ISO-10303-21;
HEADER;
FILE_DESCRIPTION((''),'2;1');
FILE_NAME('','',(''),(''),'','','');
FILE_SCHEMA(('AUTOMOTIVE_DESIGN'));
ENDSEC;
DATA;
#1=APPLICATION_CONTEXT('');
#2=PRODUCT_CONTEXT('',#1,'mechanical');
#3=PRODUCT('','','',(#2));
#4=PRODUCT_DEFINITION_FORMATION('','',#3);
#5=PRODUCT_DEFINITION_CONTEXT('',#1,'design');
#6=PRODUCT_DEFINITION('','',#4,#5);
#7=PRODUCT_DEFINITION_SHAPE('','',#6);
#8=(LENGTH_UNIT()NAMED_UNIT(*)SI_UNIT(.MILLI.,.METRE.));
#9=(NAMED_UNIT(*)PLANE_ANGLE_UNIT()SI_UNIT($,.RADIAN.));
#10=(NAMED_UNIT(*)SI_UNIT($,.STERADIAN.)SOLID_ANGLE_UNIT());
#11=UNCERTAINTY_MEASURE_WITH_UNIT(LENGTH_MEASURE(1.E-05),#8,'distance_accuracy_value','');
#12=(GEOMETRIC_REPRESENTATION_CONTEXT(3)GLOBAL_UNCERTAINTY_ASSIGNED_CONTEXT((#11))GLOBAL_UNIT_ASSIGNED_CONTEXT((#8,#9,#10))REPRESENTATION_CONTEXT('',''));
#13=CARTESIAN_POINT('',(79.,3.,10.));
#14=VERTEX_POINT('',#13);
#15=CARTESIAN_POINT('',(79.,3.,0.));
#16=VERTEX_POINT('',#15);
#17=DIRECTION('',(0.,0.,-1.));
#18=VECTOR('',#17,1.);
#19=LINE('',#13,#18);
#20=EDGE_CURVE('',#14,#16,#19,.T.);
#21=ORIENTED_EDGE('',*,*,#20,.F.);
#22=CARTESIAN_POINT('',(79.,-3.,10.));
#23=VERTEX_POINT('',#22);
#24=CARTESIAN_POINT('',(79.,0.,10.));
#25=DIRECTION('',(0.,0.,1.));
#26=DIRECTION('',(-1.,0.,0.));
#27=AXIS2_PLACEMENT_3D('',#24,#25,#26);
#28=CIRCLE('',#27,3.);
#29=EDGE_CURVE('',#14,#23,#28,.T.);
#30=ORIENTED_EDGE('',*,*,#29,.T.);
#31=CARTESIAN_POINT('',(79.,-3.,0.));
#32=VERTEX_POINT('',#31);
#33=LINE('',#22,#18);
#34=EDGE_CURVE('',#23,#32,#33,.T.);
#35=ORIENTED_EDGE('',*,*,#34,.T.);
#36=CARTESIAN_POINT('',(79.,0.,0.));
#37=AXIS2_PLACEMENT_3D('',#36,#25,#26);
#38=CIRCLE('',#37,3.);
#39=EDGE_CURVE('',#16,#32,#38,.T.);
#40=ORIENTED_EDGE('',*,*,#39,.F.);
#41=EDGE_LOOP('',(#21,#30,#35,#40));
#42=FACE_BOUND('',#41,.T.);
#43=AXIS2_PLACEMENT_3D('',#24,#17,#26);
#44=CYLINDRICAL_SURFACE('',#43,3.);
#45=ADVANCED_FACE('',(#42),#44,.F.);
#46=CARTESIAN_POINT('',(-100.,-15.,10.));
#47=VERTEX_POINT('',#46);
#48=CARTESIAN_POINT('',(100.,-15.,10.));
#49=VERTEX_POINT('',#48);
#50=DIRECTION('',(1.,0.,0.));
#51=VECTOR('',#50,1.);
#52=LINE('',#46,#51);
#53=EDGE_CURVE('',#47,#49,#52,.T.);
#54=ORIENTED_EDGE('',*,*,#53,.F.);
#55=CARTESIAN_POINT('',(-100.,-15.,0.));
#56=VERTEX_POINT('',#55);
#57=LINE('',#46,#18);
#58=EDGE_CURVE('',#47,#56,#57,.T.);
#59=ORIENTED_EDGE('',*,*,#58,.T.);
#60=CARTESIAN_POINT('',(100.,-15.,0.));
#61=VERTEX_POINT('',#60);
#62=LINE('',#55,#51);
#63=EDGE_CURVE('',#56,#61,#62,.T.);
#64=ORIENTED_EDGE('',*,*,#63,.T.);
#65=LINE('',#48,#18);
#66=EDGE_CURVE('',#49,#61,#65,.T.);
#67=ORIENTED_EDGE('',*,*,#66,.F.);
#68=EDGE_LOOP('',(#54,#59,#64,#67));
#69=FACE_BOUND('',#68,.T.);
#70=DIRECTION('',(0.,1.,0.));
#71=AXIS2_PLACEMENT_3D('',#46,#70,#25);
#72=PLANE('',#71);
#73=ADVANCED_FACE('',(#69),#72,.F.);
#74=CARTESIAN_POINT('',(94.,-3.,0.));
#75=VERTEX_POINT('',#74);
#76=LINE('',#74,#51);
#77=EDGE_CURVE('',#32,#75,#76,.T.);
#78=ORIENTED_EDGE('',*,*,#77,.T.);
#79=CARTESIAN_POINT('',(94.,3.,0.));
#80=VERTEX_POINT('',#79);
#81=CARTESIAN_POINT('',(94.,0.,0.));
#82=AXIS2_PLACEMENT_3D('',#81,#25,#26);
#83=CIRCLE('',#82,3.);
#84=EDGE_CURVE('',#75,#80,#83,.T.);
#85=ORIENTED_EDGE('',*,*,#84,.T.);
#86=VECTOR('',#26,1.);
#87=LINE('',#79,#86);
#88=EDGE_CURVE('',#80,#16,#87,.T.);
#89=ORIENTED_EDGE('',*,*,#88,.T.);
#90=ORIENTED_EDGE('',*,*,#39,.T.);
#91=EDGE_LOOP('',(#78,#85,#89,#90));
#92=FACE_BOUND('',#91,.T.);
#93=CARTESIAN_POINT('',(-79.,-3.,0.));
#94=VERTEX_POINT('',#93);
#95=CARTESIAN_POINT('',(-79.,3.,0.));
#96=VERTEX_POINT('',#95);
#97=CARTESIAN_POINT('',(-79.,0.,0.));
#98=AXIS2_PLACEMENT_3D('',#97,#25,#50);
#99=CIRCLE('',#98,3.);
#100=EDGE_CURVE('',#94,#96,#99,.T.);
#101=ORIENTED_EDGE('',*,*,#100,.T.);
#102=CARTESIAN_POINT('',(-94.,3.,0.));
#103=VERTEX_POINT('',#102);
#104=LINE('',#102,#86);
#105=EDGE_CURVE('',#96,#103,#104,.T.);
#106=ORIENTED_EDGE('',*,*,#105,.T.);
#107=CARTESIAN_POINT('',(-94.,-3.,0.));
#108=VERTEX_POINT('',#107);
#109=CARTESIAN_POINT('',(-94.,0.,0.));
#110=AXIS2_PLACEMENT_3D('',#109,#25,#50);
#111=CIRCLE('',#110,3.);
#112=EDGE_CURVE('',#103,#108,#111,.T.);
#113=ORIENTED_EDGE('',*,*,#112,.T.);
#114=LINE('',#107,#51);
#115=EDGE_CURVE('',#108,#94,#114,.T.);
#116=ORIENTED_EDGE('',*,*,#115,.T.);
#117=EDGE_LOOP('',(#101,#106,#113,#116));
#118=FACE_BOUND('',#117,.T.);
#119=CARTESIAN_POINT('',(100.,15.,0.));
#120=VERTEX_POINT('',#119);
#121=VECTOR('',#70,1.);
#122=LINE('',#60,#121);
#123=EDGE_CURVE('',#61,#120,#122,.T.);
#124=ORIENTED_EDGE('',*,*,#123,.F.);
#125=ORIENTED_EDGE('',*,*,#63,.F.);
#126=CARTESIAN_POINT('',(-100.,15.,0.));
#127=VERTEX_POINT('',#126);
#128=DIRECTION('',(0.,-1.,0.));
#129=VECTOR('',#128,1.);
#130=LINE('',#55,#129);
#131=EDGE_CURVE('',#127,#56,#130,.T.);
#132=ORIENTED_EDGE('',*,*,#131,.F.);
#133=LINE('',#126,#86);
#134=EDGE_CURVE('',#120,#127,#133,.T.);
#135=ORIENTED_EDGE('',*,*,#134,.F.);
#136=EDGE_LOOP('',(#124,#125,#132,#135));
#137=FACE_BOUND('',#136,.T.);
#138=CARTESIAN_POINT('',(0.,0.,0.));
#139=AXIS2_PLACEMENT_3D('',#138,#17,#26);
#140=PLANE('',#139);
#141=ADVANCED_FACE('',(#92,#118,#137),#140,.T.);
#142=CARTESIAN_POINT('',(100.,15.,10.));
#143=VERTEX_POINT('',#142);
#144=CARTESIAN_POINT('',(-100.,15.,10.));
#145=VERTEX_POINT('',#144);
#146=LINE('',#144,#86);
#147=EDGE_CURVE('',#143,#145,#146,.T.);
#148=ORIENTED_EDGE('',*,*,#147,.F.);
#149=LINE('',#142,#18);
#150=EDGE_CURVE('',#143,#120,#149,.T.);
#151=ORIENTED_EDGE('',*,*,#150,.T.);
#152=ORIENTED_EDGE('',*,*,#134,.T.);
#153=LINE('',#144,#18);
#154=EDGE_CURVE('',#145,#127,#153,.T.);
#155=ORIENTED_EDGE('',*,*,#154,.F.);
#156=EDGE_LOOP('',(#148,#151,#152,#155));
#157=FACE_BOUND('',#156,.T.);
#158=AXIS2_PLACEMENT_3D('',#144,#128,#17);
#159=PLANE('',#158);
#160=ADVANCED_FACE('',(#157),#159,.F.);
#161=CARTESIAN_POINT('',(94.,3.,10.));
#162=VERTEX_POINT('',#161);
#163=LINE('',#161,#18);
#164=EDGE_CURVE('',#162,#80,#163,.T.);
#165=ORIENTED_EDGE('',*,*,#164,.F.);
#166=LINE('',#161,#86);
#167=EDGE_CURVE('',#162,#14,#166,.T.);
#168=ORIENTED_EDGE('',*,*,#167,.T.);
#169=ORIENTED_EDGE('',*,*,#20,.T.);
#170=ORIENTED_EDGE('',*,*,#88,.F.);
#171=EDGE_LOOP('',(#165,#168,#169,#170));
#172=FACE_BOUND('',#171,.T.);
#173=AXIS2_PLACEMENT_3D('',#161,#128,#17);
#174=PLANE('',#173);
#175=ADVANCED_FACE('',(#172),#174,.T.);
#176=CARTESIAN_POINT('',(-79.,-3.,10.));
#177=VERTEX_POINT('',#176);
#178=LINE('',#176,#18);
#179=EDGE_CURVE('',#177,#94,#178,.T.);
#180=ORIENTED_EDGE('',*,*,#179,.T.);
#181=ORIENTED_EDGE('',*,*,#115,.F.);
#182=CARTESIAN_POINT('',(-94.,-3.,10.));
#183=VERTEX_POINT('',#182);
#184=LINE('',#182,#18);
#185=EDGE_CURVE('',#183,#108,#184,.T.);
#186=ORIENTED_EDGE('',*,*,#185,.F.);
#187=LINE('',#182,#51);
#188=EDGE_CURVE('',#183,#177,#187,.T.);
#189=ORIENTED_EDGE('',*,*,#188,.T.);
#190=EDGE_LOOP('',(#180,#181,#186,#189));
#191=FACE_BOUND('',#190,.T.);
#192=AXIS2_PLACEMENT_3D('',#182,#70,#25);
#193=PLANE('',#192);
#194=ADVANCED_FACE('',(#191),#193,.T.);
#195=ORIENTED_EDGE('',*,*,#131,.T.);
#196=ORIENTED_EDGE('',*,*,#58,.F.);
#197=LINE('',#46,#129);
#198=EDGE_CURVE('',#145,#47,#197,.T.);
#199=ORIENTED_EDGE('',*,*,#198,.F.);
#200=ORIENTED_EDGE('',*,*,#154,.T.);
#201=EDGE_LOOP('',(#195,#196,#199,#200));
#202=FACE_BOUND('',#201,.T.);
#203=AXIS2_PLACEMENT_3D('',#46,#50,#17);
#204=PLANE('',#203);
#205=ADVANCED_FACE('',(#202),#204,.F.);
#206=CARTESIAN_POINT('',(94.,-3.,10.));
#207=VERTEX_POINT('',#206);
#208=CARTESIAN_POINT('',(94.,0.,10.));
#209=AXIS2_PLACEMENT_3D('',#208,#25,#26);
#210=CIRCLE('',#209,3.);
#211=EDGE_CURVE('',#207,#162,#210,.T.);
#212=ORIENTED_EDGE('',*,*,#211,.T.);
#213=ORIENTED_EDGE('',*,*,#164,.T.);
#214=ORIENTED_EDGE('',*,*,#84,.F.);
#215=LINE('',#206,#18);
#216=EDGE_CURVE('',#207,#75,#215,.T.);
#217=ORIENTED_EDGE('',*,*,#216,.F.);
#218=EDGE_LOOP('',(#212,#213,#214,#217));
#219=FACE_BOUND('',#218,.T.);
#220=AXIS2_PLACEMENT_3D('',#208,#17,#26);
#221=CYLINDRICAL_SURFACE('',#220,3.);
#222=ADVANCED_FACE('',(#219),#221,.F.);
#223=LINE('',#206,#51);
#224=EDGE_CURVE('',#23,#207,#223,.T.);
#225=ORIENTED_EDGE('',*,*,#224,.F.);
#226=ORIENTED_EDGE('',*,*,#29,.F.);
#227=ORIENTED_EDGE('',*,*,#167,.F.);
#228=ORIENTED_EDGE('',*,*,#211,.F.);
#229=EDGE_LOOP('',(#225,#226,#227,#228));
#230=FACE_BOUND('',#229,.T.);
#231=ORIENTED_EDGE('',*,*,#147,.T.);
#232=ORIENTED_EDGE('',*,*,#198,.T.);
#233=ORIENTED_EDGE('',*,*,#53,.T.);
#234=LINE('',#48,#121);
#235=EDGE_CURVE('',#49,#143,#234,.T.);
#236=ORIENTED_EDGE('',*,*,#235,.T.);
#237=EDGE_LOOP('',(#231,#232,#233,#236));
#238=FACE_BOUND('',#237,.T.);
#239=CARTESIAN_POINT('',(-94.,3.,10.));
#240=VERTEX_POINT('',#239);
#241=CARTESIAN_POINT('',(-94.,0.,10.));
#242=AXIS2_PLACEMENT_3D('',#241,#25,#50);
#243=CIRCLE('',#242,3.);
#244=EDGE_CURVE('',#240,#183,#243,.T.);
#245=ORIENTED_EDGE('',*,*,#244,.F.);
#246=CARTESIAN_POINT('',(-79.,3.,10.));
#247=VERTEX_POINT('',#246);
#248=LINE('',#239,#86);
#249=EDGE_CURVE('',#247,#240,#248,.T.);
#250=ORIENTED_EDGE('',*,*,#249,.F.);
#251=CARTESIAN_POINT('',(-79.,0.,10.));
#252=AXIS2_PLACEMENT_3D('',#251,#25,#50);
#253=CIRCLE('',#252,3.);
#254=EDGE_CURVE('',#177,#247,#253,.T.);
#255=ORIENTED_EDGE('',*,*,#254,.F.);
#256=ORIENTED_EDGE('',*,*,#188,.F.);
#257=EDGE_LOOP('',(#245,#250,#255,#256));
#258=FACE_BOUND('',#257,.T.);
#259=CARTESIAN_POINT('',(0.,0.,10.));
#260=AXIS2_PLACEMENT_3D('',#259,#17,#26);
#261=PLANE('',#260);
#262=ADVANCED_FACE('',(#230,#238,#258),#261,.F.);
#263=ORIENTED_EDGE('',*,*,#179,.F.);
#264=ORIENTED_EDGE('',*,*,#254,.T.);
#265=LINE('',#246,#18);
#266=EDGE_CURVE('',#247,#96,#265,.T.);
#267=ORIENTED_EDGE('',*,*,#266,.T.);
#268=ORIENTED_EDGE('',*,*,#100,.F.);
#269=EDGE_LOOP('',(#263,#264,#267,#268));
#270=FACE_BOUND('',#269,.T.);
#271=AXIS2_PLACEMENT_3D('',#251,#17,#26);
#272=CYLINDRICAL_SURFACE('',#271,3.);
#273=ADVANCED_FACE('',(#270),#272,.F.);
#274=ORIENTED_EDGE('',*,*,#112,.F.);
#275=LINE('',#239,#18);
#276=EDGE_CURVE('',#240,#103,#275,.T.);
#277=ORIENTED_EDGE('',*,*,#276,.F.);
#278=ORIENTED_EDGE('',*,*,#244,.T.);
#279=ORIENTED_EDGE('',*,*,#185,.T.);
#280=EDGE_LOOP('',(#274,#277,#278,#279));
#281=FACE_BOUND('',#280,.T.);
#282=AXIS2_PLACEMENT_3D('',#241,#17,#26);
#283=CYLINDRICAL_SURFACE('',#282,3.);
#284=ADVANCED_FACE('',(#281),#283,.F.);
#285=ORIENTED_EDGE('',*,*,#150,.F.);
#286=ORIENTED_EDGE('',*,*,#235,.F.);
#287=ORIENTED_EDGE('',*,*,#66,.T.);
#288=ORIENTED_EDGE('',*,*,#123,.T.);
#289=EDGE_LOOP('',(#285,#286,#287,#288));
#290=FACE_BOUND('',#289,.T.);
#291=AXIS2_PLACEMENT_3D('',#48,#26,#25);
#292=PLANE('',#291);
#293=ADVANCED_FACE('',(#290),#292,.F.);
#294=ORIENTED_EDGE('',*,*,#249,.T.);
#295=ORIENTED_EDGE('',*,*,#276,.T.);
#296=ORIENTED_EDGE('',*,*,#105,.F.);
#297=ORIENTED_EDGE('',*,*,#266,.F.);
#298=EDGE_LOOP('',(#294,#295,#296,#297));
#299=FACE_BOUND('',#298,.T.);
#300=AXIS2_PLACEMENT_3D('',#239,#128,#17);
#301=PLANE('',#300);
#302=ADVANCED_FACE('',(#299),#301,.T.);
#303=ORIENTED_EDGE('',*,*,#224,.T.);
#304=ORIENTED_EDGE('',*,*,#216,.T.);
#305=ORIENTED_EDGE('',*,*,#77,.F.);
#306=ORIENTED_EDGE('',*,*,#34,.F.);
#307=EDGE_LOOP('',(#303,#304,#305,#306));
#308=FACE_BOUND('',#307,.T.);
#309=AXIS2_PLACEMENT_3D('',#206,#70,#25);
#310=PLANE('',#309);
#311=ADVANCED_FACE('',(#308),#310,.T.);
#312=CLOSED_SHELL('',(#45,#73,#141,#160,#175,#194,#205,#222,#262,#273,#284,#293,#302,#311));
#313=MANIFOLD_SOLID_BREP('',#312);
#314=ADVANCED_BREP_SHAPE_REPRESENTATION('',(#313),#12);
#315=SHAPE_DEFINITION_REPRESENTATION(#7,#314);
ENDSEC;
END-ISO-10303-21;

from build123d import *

# Parameters (mm, degrees)
SKETCH1_W           = 200
SKETCH1_H           = 30
BOSS_EXTRUDE1_DEPTH = 10


with BuildPart() as part:
    # Sketch1 → Boss-Extrude1 (new body)
    with BuildSketch(Plane.XY):
        Rectangle(SKETCH1_W, SKETCH1_H)
        with BuildLine():
            Line((-94, 3), (-79, 3))
            ThreePointArc((-79, 3), (-76, 0), (-79, -3))
            Line((-79, -3), (-94, -3))
            ThreePointArc((-94, -3), (-97, 0), (-94, 3))
        make_face(mode=Mode.SUBTRACT)
        with BuildLine():
            Line((94, 3), (79, 3))
            ThreePointArc((79, 3), (76, 0), (79, -3))
            Line((79, -3), (94, -3))
            ThreePointArc((94, -3), (97, 0), (94, 3))
        make_face(mode=Mode.SUBTRACT)
    extrude(amount=BOSS_EXTRUDE1_DEPTH)


solid = part.part
